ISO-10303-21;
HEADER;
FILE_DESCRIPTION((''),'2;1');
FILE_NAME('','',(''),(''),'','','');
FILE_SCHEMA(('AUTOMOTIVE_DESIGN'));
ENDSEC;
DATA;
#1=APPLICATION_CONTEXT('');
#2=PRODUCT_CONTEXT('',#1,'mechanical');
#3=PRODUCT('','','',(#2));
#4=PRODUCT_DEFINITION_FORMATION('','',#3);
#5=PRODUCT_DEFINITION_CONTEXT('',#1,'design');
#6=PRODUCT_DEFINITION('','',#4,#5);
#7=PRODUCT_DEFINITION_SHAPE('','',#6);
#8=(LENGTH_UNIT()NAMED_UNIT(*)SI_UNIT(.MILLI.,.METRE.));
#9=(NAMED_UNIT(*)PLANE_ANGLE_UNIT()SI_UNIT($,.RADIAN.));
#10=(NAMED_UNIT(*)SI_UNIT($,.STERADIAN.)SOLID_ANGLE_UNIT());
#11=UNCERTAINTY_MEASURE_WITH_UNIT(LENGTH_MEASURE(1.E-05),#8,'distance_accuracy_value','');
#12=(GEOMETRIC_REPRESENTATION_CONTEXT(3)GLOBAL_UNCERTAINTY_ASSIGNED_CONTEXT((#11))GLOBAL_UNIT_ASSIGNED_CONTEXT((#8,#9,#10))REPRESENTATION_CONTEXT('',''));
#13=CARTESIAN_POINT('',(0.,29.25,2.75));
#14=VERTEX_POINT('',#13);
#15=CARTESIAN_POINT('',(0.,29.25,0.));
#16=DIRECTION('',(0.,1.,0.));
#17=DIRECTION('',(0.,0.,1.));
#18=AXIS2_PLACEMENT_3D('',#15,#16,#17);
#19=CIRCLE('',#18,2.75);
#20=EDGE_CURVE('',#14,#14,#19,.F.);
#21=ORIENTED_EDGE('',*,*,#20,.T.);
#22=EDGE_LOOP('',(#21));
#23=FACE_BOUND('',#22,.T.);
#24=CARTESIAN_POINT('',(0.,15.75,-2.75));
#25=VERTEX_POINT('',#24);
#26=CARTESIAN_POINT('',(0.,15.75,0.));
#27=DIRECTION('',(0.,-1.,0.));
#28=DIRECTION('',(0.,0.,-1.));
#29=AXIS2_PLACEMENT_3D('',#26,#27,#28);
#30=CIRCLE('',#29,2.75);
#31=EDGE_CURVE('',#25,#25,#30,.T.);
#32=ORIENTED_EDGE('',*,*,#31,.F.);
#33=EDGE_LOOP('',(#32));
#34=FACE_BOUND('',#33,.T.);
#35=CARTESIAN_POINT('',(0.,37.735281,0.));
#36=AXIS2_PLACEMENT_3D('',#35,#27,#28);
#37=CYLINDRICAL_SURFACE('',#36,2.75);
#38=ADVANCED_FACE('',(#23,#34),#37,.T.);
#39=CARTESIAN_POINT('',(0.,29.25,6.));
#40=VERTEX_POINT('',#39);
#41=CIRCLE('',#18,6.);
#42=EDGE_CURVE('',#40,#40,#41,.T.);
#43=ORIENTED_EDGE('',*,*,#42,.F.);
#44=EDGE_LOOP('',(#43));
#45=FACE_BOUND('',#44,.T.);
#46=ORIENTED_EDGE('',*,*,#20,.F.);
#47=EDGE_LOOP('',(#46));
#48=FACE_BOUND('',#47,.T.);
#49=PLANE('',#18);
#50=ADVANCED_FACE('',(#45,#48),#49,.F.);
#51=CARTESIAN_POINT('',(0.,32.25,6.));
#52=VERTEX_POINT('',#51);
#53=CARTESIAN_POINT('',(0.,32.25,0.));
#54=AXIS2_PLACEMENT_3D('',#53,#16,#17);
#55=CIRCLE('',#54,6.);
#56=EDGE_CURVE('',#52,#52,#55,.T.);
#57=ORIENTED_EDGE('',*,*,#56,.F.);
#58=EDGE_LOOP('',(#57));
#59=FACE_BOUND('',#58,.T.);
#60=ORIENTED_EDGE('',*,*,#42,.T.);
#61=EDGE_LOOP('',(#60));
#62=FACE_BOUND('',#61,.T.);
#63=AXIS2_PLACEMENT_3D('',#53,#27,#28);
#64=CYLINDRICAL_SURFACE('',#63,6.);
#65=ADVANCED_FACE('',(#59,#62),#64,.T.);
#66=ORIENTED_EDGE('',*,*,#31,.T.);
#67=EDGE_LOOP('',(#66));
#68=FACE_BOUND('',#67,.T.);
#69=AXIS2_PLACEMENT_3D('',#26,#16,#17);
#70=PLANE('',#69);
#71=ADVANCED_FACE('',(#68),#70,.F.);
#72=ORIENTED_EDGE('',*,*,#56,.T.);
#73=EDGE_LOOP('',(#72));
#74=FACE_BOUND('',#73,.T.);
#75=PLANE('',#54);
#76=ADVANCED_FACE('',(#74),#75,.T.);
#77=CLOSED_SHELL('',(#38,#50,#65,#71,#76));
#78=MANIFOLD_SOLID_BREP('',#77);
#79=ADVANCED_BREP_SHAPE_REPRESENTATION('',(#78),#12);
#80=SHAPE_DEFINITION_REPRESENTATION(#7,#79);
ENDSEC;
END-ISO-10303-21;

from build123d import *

# Parameters (mm, degrees)
SKETCH1_R           = 10
BOSS_EXTRUDE1_DEPTH = 45
SCALE_1_SCALE       = 0.3
SKETCH_1_R          = 6
EXTRUDE_1_DEPTH     = 3
SKETCH_2_R          = 3
SKETCH_2_R_2        = 2.75
CUT_EXTRUDE_1_DEPTH = 13.5


with BuildPart() as part:
    # Sketch1 → Boss-Extrude1 (new body)
    with BuildSketch(Plane(origin=(0, 0, 0), x_dir=(1, 0, 0), z_dir=(0, 1, 0))):
        Circle(SKETCH1_R)
    extrude(amount=BOSS_EXTRUDE1_DEPTH)


with BuildPart() as part_1:
    # 축척1: scaled about (0, 22.5, 0)
    add(part.part.scale(SCALE_1_SCALE).moved(Location((0, 15.75, 0))))

    # 스케치1 → 보스-돌출1 (add)
    with BuildSketch(Plane(origin=(0, 29.25, 0), x_dir=(1, 0, 0), z_dir=(0, 1, 0))):
        Circle(SKETCH_1_R)
    extrude(amount=EXTRUDE_1_DEPTH)

    # 스케치2 → 컷-돌출1 (cut)
    with BuildSketch(Plane.XZ.offset(-15.75)):
        Circle(SKETCH_2_R)
        Circle(SKETCH_2_R_2, mode=Mode.SUBTRACT)
    extrude(amount=-CUT_EXTRUDE_1_DEPTH, mode=Mode.SUBTRACT)


solid = part_1.part
